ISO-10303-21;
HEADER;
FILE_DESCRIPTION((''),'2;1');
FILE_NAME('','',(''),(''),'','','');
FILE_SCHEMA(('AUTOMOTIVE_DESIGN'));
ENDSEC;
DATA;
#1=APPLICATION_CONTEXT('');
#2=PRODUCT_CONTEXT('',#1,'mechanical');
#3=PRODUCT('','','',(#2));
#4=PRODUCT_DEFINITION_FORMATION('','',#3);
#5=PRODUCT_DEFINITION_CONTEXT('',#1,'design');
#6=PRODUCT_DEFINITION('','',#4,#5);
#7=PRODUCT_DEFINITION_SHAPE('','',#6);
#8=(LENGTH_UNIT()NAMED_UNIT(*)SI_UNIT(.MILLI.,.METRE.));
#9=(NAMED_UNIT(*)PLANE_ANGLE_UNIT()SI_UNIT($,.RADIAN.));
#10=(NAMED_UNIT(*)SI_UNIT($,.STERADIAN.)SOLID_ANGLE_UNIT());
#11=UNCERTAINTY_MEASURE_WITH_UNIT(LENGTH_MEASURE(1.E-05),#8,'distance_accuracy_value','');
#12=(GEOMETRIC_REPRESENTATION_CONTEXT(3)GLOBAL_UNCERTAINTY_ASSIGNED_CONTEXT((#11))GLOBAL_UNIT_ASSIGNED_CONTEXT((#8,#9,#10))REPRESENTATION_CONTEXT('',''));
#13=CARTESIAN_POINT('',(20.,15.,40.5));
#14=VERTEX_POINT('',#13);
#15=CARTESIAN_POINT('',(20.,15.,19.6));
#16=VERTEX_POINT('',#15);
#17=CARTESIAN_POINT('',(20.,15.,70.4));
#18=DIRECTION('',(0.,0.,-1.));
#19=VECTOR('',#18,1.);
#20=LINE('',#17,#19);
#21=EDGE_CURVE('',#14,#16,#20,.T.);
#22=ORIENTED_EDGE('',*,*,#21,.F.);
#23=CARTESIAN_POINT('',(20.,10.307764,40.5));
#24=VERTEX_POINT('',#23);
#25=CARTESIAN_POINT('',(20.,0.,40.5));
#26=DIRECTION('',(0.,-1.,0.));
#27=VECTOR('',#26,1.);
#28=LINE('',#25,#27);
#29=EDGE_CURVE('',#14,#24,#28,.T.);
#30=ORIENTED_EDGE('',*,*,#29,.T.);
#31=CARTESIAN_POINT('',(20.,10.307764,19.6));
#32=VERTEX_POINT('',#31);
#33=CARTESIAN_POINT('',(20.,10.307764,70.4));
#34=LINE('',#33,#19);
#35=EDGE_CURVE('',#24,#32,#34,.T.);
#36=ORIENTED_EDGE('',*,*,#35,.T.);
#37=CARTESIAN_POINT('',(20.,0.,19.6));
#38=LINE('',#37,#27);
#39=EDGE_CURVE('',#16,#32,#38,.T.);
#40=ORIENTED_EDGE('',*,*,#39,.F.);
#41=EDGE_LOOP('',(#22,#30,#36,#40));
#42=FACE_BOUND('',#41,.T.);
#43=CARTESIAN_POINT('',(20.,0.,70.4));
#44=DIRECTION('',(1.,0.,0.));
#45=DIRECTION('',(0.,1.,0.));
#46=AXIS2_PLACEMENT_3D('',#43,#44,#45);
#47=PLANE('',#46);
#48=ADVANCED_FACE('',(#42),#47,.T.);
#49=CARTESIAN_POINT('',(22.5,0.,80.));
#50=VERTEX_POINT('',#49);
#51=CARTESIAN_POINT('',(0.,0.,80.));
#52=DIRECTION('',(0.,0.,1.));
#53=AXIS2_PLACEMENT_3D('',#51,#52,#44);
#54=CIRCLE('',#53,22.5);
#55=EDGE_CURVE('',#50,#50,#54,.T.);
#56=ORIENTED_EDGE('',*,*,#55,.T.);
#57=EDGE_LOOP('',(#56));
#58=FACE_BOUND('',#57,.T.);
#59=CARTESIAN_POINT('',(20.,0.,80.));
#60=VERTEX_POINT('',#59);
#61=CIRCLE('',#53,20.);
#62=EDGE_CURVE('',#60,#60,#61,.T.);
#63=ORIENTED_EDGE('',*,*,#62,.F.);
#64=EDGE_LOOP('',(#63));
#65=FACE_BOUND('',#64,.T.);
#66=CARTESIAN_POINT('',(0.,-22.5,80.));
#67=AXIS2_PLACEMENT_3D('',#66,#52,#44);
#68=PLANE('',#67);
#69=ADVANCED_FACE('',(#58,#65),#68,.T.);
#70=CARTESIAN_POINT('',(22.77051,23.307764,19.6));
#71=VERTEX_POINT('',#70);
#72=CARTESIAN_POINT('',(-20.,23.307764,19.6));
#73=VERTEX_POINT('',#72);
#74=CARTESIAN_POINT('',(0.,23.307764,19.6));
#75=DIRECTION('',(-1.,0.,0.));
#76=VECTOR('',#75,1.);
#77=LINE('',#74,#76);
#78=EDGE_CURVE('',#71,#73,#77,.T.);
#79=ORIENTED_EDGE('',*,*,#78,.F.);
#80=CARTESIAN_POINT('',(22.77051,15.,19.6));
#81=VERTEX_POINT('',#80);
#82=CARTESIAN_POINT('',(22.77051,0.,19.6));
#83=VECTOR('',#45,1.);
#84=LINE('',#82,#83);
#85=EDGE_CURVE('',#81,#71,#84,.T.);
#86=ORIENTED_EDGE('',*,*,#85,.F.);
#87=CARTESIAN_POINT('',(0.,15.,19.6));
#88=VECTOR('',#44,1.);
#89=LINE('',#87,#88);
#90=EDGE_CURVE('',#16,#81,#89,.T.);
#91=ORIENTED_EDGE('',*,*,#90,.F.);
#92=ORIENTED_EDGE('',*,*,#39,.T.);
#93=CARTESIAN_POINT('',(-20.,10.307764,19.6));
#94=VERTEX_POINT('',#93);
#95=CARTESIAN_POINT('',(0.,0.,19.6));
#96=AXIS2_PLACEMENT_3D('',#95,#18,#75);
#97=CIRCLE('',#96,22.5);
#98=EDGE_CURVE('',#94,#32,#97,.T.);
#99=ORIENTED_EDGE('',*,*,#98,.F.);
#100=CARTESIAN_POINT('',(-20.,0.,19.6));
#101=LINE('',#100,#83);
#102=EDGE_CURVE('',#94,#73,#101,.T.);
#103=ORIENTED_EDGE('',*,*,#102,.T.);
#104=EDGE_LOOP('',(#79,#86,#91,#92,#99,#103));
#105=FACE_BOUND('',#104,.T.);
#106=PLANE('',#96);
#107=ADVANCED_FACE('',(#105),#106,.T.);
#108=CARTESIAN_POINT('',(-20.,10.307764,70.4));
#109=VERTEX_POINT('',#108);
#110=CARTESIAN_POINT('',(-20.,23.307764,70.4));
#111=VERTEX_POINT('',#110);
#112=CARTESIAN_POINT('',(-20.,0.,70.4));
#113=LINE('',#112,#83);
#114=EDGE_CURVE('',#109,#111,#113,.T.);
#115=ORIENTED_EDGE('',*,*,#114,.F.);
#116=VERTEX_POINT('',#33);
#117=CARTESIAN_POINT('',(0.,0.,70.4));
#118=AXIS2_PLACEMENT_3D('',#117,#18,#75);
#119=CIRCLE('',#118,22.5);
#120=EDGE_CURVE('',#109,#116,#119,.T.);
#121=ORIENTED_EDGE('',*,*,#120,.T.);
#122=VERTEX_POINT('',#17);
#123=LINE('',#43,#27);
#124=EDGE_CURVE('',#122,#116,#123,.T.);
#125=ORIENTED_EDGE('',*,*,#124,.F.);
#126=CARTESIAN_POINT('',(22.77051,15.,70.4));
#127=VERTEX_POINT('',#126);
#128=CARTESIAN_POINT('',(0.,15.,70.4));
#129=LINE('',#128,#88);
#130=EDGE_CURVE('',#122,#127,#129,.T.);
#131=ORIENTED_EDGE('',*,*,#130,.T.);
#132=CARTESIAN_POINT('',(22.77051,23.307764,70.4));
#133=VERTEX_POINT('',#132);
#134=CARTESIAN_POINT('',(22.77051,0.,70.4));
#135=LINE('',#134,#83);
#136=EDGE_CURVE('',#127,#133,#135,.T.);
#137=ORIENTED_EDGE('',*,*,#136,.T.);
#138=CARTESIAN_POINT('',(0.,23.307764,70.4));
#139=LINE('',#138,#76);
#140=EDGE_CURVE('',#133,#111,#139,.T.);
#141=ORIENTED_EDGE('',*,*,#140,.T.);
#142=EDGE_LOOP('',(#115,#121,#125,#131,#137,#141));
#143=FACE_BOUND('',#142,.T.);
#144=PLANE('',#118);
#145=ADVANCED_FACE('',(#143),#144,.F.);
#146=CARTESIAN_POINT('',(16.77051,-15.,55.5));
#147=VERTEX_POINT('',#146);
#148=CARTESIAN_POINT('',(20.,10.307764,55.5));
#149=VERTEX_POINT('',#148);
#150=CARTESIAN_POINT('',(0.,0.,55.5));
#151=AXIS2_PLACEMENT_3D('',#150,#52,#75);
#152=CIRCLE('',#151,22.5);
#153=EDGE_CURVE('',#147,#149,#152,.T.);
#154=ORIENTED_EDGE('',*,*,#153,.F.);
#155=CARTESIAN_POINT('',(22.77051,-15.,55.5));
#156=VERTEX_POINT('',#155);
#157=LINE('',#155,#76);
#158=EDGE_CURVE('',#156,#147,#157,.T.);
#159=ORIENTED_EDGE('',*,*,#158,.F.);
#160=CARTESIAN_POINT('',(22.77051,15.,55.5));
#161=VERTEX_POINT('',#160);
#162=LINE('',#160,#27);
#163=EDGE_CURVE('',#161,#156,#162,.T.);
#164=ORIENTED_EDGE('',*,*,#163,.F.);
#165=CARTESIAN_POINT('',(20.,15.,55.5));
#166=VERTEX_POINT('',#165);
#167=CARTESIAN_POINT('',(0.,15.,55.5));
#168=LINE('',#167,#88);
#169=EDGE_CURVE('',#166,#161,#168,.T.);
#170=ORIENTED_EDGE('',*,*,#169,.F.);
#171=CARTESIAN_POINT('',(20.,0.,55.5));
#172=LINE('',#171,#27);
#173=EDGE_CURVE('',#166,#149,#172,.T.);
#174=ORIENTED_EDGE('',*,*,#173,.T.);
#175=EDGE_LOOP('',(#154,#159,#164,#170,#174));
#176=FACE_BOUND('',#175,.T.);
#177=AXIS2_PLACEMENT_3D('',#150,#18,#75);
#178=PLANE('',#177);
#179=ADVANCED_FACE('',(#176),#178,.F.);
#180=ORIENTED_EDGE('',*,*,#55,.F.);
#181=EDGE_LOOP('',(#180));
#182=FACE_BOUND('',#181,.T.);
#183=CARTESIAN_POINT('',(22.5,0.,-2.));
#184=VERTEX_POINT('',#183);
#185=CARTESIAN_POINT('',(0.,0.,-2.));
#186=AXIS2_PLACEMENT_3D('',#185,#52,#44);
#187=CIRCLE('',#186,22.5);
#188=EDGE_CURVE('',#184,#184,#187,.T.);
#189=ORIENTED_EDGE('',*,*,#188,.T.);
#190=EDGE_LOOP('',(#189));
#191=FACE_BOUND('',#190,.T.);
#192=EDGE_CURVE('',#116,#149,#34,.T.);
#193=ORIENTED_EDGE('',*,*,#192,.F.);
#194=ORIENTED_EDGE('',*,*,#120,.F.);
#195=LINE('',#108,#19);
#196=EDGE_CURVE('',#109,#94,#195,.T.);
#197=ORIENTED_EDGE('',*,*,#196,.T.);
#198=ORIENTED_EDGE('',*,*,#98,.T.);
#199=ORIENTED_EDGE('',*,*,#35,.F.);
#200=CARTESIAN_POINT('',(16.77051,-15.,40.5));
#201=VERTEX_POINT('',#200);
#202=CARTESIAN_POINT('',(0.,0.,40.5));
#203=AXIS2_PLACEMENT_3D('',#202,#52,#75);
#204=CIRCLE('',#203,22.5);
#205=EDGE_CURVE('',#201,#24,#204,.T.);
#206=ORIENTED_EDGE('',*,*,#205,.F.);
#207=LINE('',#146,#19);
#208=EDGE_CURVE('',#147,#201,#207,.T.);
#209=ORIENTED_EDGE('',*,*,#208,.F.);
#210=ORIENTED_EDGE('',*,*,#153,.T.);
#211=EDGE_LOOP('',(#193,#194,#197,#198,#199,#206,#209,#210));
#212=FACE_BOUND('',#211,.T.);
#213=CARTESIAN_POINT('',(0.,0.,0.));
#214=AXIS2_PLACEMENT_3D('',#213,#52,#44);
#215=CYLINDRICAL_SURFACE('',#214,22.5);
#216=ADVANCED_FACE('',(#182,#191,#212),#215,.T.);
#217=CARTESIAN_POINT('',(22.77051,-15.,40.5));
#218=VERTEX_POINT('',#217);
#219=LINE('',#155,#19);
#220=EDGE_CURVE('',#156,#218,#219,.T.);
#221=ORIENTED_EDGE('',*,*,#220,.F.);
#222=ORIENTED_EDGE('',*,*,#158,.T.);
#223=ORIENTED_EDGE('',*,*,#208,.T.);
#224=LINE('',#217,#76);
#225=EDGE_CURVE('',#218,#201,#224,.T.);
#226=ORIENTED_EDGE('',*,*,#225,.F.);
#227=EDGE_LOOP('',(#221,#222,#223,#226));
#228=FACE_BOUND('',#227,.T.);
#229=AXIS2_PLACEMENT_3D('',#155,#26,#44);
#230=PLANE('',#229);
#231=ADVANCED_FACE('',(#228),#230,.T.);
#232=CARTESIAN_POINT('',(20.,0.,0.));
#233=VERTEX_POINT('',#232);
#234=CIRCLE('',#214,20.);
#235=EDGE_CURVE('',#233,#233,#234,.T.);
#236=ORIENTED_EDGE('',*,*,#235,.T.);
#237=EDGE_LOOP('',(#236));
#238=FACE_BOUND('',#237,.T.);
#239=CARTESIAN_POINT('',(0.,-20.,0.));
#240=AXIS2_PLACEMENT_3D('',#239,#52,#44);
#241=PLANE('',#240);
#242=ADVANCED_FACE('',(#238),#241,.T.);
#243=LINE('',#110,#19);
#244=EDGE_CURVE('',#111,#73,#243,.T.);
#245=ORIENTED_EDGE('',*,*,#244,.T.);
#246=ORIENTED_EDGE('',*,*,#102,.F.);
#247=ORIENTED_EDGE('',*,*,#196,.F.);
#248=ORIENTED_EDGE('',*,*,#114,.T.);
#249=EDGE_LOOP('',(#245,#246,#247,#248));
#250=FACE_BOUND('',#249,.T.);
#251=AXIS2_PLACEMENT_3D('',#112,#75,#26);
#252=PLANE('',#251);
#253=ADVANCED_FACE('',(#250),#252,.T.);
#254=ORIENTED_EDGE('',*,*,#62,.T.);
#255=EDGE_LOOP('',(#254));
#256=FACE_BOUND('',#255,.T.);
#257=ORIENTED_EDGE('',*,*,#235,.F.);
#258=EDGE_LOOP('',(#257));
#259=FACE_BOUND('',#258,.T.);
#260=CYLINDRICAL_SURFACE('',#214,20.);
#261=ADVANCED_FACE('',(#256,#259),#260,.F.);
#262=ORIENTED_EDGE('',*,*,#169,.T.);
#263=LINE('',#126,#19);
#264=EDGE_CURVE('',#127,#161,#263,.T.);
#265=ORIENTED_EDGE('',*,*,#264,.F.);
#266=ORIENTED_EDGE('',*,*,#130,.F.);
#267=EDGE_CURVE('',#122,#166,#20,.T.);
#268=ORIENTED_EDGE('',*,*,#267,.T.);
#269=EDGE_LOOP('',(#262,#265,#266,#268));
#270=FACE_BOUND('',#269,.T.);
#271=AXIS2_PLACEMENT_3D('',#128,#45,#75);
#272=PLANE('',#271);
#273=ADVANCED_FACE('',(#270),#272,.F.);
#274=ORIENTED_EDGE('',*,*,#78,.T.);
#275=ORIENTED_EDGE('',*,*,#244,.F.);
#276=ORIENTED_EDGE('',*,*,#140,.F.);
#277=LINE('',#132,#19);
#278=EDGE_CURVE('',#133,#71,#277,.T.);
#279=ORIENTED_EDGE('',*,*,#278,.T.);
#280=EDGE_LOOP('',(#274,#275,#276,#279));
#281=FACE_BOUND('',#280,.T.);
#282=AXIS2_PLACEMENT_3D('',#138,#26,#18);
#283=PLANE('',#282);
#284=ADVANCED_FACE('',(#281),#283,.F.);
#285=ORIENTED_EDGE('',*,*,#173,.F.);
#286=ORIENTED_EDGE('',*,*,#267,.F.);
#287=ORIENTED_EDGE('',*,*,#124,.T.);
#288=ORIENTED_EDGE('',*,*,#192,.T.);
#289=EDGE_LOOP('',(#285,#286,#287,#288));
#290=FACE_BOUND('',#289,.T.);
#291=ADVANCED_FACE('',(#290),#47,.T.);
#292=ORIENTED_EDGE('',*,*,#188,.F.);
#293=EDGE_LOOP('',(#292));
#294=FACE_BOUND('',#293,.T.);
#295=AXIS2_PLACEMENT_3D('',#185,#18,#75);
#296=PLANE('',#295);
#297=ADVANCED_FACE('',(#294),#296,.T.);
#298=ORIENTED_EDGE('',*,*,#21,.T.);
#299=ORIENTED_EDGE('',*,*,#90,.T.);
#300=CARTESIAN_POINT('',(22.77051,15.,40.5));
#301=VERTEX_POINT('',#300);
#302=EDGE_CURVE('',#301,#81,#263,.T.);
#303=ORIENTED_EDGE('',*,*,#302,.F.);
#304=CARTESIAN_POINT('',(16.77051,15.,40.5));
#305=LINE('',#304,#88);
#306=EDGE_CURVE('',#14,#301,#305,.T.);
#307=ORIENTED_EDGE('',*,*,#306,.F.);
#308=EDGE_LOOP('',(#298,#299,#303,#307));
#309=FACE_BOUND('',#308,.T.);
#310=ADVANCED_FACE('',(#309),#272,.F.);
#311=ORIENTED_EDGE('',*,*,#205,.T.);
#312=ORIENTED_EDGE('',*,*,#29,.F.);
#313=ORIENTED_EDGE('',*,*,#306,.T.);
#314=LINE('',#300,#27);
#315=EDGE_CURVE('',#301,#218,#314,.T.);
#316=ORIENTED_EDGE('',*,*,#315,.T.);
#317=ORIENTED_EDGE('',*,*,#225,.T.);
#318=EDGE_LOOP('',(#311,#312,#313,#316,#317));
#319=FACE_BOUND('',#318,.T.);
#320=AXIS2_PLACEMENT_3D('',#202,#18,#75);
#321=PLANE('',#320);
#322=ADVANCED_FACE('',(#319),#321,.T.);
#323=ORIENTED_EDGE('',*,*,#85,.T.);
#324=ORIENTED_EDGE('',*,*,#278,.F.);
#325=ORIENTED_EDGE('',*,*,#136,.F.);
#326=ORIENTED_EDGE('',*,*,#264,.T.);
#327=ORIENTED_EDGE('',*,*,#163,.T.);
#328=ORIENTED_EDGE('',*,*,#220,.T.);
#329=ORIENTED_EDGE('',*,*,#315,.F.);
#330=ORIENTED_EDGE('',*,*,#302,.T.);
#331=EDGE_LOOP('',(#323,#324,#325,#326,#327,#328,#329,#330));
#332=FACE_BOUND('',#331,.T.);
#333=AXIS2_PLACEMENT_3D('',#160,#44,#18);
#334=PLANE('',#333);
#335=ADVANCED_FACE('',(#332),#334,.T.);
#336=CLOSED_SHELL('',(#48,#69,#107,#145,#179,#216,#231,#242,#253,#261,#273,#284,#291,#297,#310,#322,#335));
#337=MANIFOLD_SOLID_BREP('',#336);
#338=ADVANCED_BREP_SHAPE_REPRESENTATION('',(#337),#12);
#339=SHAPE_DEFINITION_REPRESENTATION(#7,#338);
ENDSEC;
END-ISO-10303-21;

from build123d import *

# Parameters (mm, degrees)
BOSS_EXTRUDE1_DEPTH      = 7.5
BOSS_EXTRUDE1_DEPTH_BACK = 7.5
BOSS_EXTRUDE2_DEPTH      = 28.4
BOSS_EXTRUDE2_DEPTH_BACK = 22.4


with BuildPart() as part:
    # Sketch1 → Revolve1 (revolve)
    with BuildSketch(Plane(origin=(0, 0, 0), x_dir=(0, 0, -1), z_dir=(1, 0, 0))):
        Polygon((0, 0), (2, 0), (2, -22.5), (-80, -22.5), (-80, -20), (0, -20), align=None)
    revolve(axis=Axis((0, 0, 0), (0, 0, -1)))

    # Sketch3 → Boss-Extrude1 (add, two sides)
    with BuildSketch(Plane(origin=(0, 0, 48), x_dir=(-1, 0, 0), z_dir=(0, 0, -1))) as boss_extrude1_sk:
        with BuildLine():
            Line((-16.770509831, 15), (-22.770509831, 15))
            Line((-22.770509831, 15), (-22.770509831, -15))
            Line((-22.770509831, -15), (-16.770509831, -15))
            ThreePointArc((-16.770509831, -15), (-22.5, 0), (-16.770509831, 15))
        make_face()
    extrude(amount=BOSS_EXTRUDE1_DEPTH)
    extrude(boss_extrude1_sk.sketch, amount=-BOSS_EXTRUDE1_DEPTH_BACK)

    # Sketch4 → Boss-Extrude2 (add, two sides)
    with BuildSketch(Plane(origin=(0, 0, 48), x_dir=(-1, 0, 0), z_dir=(0, 0, -1))) as boss_extrude2_sk:
        with BuildLine():
            ThreePointArc((-20, 10.307764064), (0, 22.5), (20, 10.307764064))
            Line((20, 10.307764064), (20, 23.307764064))
            Line((20, 23.307764064), (-22.770509831, 23.307764064))
            Line((-22.770509831, 23.307764064), (-22.770509831, 15))
            Line((-22.770509831, 15), (-20, 15))
            Line((-20, 15), (-20, 10.307764064))
        make_face()
    extrude(amount=BOSS_EXTRUDE2_DEPTH)
    extrude(boss_extrude2_sk.sketch, amount=-BOSS_EXTRUDE2_DEPTH_BACK)


solid = part.part
